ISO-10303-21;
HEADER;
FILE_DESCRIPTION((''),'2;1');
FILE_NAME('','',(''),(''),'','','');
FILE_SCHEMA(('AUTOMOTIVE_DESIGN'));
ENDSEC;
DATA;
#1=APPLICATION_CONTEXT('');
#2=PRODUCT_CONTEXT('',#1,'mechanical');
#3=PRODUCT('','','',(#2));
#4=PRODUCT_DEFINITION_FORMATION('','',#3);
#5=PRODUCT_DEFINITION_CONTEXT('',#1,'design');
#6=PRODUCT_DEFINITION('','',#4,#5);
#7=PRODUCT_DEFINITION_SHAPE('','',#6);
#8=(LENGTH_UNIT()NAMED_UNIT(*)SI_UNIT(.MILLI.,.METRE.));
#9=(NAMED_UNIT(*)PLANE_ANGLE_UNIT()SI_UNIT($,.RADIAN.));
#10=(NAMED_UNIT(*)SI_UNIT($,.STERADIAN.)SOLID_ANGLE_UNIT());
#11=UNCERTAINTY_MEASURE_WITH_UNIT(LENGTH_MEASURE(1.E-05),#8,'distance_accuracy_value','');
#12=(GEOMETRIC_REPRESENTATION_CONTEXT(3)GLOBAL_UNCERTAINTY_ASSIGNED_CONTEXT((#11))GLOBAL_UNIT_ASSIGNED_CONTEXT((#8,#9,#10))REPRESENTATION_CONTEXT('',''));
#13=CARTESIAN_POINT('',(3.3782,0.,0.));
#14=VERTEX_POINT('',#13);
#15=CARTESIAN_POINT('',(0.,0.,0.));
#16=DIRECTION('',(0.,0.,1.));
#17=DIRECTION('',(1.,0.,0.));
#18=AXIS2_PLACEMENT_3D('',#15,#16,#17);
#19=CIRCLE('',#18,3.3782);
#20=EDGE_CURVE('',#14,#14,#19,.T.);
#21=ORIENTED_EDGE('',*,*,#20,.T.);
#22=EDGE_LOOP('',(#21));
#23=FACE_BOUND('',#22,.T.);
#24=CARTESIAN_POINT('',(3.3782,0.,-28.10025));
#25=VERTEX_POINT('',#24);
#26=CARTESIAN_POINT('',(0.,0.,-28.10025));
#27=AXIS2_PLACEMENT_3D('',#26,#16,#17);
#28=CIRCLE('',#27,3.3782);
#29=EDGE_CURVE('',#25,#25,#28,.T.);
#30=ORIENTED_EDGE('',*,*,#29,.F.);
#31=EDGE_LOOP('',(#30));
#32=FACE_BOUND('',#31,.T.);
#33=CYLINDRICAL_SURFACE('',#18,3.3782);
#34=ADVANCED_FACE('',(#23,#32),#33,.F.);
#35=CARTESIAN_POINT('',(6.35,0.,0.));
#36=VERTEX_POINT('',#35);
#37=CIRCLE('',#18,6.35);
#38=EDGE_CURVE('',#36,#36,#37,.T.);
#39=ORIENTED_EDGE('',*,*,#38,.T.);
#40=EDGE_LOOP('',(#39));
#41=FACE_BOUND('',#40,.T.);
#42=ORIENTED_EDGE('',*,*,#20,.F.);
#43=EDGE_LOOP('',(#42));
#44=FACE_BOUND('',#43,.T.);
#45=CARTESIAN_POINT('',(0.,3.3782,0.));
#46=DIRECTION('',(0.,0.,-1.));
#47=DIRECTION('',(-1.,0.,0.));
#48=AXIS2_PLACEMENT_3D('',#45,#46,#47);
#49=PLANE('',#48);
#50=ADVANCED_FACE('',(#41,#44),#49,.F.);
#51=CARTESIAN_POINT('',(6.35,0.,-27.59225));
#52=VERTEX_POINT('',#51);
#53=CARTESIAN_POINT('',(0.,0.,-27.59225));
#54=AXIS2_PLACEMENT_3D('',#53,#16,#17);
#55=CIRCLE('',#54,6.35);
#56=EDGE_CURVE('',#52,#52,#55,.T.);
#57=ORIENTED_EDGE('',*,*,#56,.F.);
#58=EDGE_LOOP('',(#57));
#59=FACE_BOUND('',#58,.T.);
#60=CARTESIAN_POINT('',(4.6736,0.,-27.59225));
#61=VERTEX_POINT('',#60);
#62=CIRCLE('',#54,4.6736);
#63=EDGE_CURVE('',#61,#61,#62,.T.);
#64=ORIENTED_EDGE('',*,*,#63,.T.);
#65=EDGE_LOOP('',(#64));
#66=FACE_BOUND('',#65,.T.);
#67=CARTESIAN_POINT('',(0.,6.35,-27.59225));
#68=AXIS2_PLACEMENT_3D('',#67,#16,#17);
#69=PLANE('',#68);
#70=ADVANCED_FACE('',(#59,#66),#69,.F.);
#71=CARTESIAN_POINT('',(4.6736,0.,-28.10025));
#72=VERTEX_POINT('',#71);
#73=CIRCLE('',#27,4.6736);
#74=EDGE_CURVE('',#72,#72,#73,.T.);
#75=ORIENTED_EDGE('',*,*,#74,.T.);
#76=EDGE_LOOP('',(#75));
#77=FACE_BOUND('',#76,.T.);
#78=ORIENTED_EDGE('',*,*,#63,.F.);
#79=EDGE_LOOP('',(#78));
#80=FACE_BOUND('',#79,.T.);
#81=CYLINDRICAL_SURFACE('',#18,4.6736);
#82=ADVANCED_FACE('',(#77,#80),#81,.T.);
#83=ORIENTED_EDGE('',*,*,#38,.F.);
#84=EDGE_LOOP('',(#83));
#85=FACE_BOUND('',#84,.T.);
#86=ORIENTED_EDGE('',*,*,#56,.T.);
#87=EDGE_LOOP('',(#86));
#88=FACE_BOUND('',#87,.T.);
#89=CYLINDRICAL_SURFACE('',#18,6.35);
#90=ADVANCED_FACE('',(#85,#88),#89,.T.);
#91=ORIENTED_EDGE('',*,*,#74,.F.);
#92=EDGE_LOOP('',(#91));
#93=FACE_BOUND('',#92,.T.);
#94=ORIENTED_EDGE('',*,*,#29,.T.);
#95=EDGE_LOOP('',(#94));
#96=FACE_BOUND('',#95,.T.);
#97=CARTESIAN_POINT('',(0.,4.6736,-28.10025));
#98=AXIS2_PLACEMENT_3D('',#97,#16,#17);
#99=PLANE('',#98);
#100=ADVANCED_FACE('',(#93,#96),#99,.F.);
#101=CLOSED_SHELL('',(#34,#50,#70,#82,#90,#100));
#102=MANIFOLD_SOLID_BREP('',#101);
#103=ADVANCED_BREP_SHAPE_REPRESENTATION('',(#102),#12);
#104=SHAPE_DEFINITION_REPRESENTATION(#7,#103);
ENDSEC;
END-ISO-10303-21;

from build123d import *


with BuildPart() as part:
    # Sketch1 → Revolve1 (revolve)
    with BuildSketch(Plane(origin=(0, 0, 0), x_dir=(0, 0, -1), z_dir=(1, 0, 0)), mode=Mode.PRIVATE) as revolve1_sk:
        Polygon((0, 3.3782), (0, 6.35), (27.592250124, 6.35), (27.592250124, 4.6736), (28.100250124, 4.6736), (28.100250124, 3.3782), align=None)
    revolve(revolve1_sk.sketch.rotate(Axis((0, 0, 0), (0, 0, -1)), 90), axis=Axis((0, 0, 0), (0, 0, -1)))


solid = part.part
